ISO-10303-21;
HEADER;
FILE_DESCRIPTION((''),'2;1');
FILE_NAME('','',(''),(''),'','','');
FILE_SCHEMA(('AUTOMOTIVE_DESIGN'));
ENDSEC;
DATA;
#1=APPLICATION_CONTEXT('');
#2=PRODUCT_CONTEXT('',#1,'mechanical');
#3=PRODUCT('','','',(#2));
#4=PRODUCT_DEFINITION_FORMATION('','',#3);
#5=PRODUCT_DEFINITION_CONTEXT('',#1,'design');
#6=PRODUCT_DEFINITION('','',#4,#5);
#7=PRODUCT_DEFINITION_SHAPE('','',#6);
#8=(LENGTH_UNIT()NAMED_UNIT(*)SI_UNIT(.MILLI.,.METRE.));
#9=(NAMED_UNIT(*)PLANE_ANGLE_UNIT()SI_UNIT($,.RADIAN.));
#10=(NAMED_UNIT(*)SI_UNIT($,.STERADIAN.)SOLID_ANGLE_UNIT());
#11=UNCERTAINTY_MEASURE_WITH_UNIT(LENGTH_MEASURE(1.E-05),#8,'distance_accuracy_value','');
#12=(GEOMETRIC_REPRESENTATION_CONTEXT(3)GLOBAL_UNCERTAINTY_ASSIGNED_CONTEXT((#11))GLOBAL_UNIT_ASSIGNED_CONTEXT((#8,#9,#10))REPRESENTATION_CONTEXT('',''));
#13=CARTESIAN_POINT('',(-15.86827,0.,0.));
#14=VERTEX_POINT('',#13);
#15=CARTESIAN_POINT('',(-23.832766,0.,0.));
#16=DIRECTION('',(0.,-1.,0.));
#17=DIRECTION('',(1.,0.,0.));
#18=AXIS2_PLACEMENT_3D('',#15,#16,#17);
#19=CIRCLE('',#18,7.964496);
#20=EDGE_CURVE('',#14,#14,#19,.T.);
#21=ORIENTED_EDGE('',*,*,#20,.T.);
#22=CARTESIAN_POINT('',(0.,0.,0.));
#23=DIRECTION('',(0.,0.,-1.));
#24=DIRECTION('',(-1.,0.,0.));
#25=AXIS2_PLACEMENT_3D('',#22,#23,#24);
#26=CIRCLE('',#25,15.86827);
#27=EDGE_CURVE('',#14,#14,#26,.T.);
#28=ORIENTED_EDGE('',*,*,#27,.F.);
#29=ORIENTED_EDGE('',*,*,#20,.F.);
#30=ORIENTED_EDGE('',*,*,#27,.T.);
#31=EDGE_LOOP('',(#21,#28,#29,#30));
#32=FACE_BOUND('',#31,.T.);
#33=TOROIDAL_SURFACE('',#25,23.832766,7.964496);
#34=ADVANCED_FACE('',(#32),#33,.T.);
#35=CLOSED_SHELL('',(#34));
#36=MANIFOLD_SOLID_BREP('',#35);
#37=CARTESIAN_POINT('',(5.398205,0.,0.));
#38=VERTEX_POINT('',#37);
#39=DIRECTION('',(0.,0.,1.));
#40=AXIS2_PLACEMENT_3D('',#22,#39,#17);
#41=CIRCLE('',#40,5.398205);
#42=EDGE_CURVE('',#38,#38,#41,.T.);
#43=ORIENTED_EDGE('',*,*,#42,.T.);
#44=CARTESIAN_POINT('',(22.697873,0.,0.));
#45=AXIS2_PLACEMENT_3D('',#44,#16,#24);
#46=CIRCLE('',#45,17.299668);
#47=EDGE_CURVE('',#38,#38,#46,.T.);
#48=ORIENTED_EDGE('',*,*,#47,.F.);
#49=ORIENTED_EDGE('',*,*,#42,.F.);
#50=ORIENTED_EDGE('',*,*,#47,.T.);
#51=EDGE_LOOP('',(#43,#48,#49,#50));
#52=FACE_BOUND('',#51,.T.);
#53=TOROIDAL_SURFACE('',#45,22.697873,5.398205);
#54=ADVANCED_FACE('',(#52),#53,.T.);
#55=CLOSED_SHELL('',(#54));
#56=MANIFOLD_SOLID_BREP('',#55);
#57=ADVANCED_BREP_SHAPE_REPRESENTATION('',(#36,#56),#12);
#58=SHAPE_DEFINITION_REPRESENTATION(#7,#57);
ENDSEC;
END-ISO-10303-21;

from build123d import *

# Parameters (mm, degrees)
F0_R = 7.964496
F2_R = 5.398205


with BuildPart() as f1:
    # F0 (on Front) → F1 (revolve)
    with BuildSketch(Plane.XZ):
        with Locations((-23.832766, 0)):
            Circle(F0_R)
    revolve(axis=Axis((0, 0, -0.709308), (0, 0, -1)))


with BuildPart() as f3:
    # F2 (on Top) → F3 (revolve)
    with BuildSketch(Plane.XY):
        Circle(F2_R)
    revolve(axis=Axis((22.697873, -3.404681, 0), (0, -1, 0)))


solid = Compound([f1.part, f3.part])
